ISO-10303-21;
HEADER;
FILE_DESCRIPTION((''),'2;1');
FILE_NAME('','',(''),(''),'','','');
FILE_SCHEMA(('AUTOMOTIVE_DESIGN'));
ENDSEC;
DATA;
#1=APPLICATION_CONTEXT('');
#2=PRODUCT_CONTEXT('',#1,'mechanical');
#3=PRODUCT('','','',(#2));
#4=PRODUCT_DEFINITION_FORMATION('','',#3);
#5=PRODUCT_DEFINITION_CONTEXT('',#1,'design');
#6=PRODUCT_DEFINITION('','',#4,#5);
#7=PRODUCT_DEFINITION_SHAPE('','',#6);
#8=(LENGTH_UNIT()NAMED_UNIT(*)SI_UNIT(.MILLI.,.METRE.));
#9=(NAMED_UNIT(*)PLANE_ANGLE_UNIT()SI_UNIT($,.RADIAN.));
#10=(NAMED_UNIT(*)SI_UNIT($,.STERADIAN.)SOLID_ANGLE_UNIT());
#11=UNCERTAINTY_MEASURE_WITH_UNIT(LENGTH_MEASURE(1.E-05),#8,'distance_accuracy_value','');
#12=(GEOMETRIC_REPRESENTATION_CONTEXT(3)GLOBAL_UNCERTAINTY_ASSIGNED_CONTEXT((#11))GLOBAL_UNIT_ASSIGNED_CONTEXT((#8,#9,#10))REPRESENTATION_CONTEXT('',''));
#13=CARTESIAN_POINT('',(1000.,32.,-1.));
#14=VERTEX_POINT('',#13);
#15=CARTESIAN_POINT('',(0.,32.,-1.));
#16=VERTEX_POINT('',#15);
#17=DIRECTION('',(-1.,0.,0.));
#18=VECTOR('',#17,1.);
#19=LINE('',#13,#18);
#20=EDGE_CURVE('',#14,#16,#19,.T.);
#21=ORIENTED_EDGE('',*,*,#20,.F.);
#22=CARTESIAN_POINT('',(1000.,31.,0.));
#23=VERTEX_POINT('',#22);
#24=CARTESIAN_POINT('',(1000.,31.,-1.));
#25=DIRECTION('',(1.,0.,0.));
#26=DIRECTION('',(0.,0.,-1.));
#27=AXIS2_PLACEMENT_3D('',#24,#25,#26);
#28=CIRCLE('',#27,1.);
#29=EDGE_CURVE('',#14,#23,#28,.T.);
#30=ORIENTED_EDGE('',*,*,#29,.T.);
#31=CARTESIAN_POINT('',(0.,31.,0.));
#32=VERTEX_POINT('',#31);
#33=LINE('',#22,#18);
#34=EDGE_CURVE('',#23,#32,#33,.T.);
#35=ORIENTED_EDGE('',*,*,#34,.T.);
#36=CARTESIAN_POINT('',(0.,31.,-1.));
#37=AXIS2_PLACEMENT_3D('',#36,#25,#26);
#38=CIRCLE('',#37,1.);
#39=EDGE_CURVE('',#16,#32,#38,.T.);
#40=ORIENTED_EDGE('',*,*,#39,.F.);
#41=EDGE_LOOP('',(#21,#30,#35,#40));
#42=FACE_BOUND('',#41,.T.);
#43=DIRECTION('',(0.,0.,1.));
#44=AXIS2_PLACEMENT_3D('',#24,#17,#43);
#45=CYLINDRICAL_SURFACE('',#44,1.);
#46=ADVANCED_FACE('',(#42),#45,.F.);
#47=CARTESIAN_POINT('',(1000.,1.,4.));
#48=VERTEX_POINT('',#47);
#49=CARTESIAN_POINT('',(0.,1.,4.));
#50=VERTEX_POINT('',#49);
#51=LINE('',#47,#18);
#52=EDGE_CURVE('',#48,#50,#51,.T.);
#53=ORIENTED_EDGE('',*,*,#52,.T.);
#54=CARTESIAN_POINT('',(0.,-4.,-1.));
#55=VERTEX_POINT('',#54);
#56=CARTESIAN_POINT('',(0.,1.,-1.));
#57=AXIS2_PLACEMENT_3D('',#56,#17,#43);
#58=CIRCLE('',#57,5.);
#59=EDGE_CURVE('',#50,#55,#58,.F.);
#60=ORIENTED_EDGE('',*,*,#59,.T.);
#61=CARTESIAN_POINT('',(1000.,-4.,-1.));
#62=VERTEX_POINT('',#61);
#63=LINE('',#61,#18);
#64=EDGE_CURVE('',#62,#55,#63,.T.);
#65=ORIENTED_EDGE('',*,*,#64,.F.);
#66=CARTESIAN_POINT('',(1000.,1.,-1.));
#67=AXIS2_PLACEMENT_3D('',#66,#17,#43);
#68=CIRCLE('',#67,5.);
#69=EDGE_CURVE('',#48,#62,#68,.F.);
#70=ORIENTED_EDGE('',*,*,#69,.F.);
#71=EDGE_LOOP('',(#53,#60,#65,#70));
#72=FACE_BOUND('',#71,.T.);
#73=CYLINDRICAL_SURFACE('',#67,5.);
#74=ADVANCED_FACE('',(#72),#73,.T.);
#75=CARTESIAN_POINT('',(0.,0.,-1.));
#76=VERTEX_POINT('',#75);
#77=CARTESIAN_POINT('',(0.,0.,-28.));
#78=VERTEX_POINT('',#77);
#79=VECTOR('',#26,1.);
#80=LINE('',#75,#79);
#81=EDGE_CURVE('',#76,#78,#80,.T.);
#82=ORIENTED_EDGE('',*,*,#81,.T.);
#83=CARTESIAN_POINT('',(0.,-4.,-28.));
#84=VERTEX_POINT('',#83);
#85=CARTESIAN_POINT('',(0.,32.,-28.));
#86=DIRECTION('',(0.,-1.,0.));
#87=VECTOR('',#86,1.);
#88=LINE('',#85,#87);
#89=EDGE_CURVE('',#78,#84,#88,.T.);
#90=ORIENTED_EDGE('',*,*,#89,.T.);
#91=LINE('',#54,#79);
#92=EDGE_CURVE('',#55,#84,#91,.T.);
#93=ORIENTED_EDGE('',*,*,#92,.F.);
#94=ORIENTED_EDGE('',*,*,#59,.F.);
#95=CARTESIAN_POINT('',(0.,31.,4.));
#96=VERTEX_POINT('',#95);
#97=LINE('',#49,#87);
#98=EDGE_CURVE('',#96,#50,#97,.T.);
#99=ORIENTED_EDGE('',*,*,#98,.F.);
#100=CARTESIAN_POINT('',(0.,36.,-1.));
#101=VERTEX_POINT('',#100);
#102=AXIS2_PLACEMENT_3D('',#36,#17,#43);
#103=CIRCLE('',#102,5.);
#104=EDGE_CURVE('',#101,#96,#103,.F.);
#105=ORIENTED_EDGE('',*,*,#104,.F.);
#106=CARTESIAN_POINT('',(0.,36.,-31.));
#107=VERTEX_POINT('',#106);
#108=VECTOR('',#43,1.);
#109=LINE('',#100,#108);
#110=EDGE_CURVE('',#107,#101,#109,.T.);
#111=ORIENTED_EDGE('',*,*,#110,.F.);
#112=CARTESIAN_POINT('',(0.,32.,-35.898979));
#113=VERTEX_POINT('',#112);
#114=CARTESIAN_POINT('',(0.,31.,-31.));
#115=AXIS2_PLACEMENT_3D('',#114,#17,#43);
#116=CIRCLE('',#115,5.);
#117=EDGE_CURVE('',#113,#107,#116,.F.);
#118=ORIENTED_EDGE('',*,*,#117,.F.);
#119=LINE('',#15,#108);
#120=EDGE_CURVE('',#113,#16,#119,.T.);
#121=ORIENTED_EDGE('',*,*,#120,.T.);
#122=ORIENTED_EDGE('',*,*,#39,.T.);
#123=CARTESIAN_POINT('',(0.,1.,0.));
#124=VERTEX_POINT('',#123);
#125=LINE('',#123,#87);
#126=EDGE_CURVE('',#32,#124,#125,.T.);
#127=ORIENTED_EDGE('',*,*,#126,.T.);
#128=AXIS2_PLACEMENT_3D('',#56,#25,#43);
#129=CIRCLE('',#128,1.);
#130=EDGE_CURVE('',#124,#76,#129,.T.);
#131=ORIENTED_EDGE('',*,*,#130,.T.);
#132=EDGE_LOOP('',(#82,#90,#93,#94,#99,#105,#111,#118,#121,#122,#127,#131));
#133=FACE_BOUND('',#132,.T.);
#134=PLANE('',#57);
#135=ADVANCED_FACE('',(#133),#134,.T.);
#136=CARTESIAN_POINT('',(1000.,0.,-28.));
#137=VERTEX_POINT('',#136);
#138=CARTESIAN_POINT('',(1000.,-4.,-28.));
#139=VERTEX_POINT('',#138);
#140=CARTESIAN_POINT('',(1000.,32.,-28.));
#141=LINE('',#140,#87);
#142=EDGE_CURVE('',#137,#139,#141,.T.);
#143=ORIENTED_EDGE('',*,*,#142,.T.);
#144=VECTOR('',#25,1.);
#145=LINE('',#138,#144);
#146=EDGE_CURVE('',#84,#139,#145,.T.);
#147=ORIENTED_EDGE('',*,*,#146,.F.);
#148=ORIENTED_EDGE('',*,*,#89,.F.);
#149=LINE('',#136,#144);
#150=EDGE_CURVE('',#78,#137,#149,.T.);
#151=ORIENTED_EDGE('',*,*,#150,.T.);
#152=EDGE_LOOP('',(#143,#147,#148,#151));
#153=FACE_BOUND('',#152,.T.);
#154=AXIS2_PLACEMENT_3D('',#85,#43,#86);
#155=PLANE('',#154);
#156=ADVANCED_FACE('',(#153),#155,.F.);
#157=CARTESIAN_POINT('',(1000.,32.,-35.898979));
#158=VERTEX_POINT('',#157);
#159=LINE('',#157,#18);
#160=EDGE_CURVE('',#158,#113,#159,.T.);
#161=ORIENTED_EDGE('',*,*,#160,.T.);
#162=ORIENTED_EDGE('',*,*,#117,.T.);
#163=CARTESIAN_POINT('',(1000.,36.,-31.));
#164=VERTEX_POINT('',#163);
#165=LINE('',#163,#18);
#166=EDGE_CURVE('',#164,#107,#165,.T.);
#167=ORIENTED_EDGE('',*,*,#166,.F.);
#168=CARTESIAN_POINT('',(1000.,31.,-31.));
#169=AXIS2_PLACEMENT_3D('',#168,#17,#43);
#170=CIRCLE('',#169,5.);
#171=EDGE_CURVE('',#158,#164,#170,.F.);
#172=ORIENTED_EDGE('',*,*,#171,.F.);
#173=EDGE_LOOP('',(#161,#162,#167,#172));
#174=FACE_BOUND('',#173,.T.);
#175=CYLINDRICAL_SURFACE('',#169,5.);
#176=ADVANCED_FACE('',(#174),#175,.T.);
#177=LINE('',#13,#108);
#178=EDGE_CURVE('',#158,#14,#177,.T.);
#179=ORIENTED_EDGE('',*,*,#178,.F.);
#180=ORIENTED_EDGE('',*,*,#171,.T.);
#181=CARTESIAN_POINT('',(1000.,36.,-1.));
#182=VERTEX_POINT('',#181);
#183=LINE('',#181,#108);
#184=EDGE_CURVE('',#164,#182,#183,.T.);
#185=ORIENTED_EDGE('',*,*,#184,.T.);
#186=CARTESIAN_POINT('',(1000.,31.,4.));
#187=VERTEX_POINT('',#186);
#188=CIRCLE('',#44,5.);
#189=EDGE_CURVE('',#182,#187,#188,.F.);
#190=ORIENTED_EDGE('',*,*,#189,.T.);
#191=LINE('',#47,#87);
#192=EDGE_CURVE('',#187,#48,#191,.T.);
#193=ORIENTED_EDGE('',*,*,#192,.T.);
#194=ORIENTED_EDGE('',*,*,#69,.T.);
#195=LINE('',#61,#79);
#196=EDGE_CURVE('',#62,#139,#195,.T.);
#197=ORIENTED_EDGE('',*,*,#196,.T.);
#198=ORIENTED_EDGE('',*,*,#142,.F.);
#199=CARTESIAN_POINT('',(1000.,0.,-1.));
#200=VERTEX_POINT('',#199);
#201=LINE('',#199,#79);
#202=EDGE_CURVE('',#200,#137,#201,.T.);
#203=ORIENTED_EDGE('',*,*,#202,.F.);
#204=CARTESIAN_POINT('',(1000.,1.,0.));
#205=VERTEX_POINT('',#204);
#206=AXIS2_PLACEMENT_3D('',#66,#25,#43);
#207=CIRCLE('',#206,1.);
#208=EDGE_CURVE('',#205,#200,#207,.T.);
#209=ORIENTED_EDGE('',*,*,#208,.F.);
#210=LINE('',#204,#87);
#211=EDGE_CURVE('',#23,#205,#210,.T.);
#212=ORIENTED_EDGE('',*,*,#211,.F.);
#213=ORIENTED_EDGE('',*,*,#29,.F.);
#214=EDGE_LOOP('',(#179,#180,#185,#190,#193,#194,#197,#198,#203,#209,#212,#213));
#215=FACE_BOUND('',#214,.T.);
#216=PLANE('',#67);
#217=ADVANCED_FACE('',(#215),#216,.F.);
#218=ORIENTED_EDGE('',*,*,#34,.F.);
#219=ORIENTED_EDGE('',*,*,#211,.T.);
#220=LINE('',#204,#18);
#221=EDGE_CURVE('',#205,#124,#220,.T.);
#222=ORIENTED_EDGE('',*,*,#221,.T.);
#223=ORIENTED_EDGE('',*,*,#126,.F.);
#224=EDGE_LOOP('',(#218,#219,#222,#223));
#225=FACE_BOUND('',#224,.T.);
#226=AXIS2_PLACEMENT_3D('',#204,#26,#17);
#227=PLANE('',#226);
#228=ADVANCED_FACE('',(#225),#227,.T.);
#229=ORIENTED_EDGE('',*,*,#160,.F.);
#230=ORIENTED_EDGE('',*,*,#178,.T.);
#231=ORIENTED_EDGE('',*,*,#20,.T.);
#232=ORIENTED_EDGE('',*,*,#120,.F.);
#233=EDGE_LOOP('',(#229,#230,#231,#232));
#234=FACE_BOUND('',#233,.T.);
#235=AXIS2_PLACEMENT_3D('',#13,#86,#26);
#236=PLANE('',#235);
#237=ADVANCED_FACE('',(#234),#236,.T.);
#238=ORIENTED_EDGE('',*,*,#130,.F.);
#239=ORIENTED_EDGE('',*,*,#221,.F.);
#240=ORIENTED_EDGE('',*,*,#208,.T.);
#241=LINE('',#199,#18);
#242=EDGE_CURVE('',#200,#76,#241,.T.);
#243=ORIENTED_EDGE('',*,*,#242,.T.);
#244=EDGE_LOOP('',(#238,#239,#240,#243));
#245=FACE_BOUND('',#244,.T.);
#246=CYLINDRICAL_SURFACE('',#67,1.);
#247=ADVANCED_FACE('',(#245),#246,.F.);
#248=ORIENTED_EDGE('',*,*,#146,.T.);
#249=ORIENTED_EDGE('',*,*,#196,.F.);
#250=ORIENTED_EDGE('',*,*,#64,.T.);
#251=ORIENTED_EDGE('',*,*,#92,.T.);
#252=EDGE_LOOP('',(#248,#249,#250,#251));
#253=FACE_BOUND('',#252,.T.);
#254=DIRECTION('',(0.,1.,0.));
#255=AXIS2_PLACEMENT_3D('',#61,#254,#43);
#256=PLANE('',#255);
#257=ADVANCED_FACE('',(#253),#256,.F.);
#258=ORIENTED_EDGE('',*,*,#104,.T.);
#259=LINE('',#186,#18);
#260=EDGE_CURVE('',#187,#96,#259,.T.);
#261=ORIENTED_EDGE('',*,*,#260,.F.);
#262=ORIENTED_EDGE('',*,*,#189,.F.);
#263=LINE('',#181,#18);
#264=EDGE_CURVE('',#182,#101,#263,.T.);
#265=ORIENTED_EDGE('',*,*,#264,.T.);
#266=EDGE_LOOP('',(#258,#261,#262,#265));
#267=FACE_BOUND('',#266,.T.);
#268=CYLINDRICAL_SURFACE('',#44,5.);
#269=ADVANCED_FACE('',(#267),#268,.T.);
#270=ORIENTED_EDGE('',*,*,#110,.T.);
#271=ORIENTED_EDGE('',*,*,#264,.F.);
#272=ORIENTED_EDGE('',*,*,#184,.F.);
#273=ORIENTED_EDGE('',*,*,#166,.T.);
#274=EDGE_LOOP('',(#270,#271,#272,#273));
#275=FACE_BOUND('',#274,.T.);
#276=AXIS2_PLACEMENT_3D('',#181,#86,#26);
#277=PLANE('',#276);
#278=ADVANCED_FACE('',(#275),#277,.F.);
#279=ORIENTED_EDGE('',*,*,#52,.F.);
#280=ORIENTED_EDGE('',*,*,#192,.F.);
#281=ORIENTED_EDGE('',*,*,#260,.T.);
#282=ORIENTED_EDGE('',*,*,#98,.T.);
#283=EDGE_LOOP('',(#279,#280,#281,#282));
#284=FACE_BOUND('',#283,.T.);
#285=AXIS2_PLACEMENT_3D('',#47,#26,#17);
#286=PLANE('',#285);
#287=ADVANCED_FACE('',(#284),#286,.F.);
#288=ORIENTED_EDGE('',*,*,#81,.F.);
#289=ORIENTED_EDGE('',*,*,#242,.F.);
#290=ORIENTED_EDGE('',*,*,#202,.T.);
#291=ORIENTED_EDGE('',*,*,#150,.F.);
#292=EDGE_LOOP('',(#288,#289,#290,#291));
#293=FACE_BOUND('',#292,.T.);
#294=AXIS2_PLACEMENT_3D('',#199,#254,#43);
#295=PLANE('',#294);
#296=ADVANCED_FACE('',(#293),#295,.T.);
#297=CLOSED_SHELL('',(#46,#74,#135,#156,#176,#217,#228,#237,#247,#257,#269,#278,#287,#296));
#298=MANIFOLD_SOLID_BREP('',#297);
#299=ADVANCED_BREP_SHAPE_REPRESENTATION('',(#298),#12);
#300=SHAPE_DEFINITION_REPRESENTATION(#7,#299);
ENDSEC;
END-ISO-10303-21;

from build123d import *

# Parameters (mm, degrees)
EXTRUDE_1_DEPTH     = 1000
SKETCH_2_W          = 8.555369223
SKETCH_2_H          = 36.536948801
CUT_EXTRUDE_1_DEPTH = 1001


with BuildPart() as part:
    # Эскиз1 → Вытянуть-Тонкостенный1 (new body)
    with BuildSketch(Plane(origin=(0, 0, 0), x_dir=(0, 0, -1), z_dir=(1, 0, 0))):
        with BuildLine():
            Line((-4, 31), (-4, 1))
            ThreePointArc((-4, 1), (-2.535533906, -2.535533906), (1, -4))
            Line((1, -4), (31, -4))
            ThreePointArc((31, -4), (34.535533906, -2.535533906), (36, 1))
            Line((36, 1), (36, 31))
            ThreePointArc((36, 31), (34.535533906, 34.535533906), (31, 36))
            Line((31, 36), (1, 36))
            ThreePointArc((1, 36), (-2.535533906, 34.535533906), (-4, 31))
        make_face()
        with BuildLine():
            Line((0, 31), (0, 1))
            ThreePointArc((0, 1), (0.292893219, 0.292893219), (1, 0))
            Line((1, 0), (31, 0))
            ThreePointArc((31, 0), (31.707106781, 0.292893219), (32, 1))
            Line((32, 1), (32, 31))
            ThreePointArc((32, 31), (31.707106781, 31.707106781), (31, 32))
            Line((31, 32), (1, 32))
            ThreePointArc((1, 32), (0.292893219, 31.707106781), (0, 31))
        make_face(mode=Mode.SUBTRACT)
    extrude(amount=EXTRUDE_1_DEPTH)

    # Эскиз2 → Вырез-Вытянуть1 (cut, through all)
    with BuildSketch(Plane(origin=(1000, 0, 0), x_dir=(0, 0, -1), z_dir=(1, 0, 0))):
        with Locations((32.277684611, 13.731525599)):
            Rectangle(SKETCH_2_W, SKETCH_2_H)
    extrude(amount=-CUT_EXTRUDE_1_DEPTH, mode=Mode.SUBTRACT)


solid = part.part
